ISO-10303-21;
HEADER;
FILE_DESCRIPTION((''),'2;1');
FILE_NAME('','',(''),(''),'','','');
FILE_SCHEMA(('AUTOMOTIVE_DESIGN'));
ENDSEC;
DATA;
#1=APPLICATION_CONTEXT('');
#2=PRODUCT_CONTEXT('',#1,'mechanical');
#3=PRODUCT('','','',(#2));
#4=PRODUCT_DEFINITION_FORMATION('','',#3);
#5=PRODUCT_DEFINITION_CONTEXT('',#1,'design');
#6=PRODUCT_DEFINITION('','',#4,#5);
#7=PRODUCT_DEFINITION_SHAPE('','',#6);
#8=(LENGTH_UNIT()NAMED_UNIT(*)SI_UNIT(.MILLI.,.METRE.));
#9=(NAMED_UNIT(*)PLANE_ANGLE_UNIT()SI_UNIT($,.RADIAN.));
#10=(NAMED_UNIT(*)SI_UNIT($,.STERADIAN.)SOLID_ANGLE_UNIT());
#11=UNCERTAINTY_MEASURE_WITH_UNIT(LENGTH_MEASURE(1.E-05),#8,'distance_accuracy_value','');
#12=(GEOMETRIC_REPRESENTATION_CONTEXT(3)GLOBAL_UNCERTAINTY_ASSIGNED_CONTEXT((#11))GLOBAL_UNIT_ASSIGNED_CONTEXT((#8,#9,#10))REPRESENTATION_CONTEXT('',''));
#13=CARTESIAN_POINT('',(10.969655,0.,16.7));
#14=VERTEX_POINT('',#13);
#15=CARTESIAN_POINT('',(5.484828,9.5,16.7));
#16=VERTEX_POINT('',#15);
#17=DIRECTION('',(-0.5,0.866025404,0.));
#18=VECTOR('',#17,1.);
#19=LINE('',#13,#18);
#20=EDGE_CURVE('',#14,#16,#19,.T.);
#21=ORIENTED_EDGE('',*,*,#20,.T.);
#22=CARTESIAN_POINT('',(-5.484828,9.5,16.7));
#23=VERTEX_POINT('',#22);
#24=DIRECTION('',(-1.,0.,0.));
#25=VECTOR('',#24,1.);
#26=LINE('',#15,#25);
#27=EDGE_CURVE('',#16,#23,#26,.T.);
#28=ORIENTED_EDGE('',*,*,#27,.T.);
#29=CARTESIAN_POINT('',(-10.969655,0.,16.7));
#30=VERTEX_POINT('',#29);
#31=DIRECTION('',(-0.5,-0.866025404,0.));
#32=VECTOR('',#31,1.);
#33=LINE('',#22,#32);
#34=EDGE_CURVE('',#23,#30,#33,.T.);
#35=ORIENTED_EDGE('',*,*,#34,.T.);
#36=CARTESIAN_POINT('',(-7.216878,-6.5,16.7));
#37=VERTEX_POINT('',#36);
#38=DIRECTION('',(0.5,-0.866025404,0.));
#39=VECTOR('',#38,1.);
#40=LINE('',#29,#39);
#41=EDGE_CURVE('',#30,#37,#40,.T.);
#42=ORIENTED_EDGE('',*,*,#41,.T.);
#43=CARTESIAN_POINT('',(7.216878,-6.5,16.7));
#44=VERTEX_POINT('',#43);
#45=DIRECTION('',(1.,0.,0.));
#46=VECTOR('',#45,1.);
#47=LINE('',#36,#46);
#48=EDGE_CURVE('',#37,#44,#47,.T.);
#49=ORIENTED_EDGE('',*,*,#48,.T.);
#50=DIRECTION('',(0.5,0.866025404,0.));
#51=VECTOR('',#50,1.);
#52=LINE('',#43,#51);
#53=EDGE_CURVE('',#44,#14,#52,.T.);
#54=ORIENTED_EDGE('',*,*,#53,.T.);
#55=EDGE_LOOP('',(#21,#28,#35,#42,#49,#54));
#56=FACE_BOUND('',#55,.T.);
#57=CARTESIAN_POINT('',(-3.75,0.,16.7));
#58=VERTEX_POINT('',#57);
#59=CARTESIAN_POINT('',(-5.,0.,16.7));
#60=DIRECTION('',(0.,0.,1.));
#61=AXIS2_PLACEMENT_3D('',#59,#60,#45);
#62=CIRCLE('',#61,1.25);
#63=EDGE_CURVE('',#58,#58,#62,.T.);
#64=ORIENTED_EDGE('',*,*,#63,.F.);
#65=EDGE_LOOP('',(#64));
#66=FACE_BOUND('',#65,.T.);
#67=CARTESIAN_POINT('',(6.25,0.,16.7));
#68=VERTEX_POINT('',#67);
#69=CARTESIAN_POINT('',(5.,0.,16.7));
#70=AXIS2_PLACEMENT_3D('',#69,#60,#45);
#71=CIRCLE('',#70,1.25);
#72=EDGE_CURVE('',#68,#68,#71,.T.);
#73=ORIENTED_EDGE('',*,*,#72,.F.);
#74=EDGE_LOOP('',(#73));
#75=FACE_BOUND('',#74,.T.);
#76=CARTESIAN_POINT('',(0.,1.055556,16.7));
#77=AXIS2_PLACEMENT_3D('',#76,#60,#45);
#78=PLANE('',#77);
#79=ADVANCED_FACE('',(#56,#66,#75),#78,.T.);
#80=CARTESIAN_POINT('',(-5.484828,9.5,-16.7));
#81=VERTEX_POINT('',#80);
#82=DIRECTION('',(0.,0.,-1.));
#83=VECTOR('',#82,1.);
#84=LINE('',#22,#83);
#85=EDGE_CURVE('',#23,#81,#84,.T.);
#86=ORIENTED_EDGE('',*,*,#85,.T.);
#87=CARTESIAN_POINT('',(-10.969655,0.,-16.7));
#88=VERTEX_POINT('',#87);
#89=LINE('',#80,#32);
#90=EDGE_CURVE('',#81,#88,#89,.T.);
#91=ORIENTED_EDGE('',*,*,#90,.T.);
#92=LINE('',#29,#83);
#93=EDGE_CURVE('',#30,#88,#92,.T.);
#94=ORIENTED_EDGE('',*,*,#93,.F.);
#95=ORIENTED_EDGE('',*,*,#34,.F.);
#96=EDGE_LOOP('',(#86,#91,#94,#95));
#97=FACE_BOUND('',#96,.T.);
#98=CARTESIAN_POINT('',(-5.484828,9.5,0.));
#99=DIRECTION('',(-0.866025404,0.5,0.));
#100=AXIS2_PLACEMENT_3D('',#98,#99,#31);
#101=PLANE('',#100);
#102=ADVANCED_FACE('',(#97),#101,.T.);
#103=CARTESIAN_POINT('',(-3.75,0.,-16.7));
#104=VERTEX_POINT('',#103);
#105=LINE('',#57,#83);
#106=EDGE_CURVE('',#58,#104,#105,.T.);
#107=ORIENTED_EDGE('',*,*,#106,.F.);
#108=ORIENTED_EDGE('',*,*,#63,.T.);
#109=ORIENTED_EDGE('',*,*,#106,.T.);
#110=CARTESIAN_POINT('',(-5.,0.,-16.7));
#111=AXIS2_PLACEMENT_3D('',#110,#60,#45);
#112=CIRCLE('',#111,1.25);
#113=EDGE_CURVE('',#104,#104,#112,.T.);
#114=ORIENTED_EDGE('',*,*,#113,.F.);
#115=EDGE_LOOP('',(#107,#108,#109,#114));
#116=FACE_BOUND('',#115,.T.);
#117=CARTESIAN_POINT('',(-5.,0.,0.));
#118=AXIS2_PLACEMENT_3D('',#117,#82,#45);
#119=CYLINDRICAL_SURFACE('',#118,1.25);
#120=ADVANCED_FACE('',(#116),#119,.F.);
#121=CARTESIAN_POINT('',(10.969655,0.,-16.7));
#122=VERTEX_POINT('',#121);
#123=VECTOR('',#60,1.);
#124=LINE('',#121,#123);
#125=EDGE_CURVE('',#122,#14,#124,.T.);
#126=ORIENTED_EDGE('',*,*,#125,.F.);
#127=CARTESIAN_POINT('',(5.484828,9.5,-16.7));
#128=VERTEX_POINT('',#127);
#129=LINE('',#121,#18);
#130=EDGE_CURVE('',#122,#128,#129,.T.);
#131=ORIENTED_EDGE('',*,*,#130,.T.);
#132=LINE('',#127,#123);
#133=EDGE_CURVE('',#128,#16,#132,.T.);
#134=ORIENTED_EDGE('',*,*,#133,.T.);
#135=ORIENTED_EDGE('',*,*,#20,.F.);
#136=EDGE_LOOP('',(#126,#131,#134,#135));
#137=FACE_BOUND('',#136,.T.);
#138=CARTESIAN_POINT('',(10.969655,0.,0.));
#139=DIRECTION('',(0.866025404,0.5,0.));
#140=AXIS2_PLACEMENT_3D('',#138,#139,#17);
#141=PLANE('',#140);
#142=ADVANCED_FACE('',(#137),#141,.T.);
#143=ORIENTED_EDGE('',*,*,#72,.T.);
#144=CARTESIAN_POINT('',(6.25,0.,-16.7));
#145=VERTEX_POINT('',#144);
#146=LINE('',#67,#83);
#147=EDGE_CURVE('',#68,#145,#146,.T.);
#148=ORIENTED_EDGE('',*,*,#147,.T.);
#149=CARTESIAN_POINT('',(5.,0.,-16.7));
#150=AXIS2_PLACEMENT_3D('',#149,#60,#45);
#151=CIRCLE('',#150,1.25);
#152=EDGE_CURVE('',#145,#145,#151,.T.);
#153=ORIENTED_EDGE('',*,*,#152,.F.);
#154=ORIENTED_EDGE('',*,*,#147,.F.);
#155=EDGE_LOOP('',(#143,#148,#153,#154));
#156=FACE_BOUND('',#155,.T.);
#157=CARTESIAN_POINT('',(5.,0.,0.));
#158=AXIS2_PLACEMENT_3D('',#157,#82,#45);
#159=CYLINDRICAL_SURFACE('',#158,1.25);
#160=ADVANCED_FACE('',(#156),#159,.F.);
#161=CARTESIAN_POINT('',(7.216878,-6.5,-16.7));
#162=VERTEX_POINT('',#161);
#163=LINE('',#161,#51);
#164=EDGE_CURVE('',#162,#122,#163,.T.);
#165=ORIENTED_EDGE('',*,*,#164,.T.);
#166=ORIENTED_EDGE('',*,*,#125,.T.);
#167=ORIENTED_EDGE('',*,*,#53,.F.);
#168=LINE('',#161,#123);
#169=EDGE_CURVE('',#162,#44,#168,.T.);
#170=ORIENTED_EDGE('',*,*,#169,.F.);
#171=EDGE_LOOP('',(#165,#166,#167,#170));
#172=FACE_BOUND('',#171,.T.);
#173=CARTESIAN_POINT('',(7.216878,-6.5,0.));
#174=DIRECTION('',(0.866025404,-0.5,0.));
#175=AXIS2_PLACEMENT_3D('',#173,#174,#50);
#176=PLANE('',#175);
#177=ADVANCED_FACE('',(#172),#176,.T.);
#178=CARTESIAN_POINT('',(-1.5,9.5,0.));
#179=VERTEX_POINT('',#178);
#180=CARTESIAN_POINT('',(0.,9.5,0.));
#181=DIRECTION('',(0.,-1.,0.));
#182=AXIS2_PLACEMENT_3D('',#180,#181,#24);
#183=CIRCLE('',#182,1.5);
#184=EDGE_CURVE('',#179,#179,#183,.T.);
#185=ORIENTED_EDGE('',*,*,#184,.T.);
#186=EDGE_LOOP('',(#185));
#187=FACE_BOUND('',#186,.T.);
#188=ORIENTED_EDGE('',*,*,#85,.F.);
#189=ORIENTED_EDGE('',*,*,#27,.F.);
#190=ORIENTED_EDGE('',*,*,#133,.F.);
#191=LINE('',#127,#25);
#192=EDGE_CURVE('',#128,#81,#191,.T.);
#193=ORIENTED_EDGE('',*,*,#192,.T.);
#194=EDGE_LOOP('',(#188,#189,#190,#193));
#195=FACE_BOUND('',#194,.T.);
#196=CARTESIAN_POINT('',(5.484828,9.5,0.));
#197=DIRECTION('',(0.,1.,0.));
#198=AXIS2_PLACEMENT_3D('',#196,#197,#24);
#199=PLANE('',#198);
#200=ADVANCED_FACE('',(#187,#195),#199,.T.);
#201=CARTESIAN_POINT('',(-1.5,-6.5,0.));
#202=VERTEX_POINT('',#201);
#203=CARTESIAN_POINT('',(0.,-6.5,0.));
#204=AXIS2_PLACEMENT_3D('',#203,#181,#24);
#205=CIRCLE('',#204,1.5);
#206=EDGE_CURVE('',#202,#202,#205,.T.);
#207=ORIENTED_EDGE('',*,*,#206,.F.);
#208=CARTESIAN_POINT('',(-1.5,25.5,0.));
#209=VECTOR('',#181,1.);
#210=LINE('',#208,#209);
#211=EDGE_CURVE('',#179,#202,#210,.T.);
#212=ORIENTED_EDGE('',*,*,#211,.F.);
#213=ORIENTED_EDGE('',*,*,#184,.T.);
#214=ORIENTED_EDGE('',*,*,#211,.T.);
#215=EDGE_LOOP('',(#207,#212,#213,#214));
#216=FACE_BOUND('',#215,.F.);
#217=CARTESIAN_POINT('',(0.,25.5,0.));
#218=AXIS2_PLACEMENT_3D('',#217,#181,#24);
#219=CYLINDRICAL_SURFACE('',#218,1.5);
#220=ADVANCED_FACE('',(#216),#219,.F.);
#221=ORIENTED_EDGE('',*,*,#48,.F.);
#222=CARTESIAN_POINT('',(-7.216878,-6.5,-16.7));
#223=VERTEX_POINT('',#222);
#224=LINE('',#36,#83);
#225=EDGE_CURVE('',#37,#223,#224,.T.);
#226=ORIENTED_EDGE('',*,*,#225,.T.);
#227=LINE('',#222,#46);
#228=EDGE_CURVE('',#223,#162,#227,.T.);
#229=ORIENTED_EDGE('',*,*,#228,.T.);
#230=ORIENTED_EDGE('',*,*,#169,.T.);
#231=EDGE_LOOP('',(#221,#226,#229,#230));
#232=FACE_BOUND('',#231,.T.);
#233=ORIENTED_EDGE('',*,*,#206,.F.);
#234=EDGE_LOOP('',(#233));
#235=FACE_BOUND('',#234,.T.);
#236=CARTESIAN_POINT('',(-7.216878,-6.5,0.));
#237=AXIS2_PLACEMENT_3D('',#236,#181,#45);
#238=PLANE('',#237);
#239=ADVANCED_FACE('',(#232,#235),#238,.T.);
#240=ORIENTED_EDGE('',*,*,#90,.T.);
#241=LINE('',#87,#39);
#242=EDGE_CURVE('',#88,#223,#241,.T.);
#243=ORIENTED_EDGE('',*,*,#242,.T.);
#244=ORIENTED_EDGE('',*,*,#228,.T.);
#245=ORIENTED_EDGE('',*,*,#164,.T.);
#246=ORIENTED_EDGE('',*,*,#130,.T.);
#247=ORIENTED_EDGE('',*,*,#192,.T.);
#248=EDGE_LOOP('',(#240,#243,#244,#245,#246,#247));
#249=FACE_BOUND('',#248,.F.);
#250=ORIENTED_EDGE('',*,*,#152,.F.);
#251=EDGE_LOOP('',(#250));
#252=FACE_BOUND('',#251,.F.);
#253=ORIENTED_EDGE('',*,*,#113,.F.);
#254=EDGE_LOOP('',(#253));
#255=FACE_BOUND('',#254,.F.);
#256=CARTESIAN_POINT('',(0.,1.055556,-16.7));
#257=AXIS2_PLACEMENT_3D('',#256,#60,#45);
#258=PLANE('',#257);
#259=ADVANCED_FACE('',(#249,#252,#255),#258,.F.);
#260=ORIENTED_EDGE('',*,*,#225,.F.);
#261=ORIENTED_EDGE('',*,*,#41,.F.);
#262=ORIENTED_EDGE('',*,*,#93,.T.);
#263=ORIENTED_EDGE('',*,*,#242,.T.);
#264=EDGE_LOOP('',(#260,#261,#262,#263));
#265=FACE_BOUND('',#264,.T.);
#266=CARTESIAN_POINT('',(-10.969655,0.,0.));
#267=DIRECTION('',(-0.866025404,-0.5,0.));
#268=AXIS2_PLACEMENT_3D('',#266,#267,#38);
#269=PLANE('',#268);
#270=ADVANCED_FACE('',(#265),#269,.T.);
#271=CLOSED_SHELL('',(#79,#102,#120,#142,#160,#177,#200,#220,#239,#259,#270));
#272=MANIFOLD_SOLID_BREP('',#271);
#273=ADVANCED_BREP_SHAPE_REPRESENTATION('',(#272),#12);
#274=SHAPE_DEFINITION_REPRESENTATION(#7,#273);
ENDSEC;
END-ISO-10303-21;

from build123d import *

# Parameters (mm, degrees)
SKETCH1_R                   = 1.25
BOSS_EXTRUDE1_DEPTH         = 16.7
F_1_4_28_TAPPED_HOLE1_D     = 3
F_1_4_28_TAPPED_HOLE1_DEPTH = 16


with BuildPart() as part:
    # Sketch1 → Boss-Extrude1 (new body, symmetric)
    with BuildSketch(Plane.XY):
        Polygon((-7.216878365, -6.5), (7.216878365, -6.5), (10.969655115, 0), (5.484827557, 9.5), (-5.484827557, 9.5), (-10.969655115, 0), align=None)
        with Locations((-5, 0)):
            Circle(SKETCH1_R, mode=Mode.SUBTRACT)
        with Locations((5, 0)):
            Circle(SKETCH1_R, mode=Mode.SUBTRACT)
    extrude(amount=BOSS_EXTRUDE1_DEPTH, both=True)

    # 1/4-28 Tapped Hole1
    with Locations(Plane(origin=(0, 9.5, 0), x_dir=(1, 0, 0), z_dir=(0, 1, 0))):
        with Locations((0, 0)):
            Hole(F_1_4_28_TAPPED_HOLE1_D / 2, depth=F_1_4_28_TAPPED_HOLE1_DEPTH)


solid = part.part
